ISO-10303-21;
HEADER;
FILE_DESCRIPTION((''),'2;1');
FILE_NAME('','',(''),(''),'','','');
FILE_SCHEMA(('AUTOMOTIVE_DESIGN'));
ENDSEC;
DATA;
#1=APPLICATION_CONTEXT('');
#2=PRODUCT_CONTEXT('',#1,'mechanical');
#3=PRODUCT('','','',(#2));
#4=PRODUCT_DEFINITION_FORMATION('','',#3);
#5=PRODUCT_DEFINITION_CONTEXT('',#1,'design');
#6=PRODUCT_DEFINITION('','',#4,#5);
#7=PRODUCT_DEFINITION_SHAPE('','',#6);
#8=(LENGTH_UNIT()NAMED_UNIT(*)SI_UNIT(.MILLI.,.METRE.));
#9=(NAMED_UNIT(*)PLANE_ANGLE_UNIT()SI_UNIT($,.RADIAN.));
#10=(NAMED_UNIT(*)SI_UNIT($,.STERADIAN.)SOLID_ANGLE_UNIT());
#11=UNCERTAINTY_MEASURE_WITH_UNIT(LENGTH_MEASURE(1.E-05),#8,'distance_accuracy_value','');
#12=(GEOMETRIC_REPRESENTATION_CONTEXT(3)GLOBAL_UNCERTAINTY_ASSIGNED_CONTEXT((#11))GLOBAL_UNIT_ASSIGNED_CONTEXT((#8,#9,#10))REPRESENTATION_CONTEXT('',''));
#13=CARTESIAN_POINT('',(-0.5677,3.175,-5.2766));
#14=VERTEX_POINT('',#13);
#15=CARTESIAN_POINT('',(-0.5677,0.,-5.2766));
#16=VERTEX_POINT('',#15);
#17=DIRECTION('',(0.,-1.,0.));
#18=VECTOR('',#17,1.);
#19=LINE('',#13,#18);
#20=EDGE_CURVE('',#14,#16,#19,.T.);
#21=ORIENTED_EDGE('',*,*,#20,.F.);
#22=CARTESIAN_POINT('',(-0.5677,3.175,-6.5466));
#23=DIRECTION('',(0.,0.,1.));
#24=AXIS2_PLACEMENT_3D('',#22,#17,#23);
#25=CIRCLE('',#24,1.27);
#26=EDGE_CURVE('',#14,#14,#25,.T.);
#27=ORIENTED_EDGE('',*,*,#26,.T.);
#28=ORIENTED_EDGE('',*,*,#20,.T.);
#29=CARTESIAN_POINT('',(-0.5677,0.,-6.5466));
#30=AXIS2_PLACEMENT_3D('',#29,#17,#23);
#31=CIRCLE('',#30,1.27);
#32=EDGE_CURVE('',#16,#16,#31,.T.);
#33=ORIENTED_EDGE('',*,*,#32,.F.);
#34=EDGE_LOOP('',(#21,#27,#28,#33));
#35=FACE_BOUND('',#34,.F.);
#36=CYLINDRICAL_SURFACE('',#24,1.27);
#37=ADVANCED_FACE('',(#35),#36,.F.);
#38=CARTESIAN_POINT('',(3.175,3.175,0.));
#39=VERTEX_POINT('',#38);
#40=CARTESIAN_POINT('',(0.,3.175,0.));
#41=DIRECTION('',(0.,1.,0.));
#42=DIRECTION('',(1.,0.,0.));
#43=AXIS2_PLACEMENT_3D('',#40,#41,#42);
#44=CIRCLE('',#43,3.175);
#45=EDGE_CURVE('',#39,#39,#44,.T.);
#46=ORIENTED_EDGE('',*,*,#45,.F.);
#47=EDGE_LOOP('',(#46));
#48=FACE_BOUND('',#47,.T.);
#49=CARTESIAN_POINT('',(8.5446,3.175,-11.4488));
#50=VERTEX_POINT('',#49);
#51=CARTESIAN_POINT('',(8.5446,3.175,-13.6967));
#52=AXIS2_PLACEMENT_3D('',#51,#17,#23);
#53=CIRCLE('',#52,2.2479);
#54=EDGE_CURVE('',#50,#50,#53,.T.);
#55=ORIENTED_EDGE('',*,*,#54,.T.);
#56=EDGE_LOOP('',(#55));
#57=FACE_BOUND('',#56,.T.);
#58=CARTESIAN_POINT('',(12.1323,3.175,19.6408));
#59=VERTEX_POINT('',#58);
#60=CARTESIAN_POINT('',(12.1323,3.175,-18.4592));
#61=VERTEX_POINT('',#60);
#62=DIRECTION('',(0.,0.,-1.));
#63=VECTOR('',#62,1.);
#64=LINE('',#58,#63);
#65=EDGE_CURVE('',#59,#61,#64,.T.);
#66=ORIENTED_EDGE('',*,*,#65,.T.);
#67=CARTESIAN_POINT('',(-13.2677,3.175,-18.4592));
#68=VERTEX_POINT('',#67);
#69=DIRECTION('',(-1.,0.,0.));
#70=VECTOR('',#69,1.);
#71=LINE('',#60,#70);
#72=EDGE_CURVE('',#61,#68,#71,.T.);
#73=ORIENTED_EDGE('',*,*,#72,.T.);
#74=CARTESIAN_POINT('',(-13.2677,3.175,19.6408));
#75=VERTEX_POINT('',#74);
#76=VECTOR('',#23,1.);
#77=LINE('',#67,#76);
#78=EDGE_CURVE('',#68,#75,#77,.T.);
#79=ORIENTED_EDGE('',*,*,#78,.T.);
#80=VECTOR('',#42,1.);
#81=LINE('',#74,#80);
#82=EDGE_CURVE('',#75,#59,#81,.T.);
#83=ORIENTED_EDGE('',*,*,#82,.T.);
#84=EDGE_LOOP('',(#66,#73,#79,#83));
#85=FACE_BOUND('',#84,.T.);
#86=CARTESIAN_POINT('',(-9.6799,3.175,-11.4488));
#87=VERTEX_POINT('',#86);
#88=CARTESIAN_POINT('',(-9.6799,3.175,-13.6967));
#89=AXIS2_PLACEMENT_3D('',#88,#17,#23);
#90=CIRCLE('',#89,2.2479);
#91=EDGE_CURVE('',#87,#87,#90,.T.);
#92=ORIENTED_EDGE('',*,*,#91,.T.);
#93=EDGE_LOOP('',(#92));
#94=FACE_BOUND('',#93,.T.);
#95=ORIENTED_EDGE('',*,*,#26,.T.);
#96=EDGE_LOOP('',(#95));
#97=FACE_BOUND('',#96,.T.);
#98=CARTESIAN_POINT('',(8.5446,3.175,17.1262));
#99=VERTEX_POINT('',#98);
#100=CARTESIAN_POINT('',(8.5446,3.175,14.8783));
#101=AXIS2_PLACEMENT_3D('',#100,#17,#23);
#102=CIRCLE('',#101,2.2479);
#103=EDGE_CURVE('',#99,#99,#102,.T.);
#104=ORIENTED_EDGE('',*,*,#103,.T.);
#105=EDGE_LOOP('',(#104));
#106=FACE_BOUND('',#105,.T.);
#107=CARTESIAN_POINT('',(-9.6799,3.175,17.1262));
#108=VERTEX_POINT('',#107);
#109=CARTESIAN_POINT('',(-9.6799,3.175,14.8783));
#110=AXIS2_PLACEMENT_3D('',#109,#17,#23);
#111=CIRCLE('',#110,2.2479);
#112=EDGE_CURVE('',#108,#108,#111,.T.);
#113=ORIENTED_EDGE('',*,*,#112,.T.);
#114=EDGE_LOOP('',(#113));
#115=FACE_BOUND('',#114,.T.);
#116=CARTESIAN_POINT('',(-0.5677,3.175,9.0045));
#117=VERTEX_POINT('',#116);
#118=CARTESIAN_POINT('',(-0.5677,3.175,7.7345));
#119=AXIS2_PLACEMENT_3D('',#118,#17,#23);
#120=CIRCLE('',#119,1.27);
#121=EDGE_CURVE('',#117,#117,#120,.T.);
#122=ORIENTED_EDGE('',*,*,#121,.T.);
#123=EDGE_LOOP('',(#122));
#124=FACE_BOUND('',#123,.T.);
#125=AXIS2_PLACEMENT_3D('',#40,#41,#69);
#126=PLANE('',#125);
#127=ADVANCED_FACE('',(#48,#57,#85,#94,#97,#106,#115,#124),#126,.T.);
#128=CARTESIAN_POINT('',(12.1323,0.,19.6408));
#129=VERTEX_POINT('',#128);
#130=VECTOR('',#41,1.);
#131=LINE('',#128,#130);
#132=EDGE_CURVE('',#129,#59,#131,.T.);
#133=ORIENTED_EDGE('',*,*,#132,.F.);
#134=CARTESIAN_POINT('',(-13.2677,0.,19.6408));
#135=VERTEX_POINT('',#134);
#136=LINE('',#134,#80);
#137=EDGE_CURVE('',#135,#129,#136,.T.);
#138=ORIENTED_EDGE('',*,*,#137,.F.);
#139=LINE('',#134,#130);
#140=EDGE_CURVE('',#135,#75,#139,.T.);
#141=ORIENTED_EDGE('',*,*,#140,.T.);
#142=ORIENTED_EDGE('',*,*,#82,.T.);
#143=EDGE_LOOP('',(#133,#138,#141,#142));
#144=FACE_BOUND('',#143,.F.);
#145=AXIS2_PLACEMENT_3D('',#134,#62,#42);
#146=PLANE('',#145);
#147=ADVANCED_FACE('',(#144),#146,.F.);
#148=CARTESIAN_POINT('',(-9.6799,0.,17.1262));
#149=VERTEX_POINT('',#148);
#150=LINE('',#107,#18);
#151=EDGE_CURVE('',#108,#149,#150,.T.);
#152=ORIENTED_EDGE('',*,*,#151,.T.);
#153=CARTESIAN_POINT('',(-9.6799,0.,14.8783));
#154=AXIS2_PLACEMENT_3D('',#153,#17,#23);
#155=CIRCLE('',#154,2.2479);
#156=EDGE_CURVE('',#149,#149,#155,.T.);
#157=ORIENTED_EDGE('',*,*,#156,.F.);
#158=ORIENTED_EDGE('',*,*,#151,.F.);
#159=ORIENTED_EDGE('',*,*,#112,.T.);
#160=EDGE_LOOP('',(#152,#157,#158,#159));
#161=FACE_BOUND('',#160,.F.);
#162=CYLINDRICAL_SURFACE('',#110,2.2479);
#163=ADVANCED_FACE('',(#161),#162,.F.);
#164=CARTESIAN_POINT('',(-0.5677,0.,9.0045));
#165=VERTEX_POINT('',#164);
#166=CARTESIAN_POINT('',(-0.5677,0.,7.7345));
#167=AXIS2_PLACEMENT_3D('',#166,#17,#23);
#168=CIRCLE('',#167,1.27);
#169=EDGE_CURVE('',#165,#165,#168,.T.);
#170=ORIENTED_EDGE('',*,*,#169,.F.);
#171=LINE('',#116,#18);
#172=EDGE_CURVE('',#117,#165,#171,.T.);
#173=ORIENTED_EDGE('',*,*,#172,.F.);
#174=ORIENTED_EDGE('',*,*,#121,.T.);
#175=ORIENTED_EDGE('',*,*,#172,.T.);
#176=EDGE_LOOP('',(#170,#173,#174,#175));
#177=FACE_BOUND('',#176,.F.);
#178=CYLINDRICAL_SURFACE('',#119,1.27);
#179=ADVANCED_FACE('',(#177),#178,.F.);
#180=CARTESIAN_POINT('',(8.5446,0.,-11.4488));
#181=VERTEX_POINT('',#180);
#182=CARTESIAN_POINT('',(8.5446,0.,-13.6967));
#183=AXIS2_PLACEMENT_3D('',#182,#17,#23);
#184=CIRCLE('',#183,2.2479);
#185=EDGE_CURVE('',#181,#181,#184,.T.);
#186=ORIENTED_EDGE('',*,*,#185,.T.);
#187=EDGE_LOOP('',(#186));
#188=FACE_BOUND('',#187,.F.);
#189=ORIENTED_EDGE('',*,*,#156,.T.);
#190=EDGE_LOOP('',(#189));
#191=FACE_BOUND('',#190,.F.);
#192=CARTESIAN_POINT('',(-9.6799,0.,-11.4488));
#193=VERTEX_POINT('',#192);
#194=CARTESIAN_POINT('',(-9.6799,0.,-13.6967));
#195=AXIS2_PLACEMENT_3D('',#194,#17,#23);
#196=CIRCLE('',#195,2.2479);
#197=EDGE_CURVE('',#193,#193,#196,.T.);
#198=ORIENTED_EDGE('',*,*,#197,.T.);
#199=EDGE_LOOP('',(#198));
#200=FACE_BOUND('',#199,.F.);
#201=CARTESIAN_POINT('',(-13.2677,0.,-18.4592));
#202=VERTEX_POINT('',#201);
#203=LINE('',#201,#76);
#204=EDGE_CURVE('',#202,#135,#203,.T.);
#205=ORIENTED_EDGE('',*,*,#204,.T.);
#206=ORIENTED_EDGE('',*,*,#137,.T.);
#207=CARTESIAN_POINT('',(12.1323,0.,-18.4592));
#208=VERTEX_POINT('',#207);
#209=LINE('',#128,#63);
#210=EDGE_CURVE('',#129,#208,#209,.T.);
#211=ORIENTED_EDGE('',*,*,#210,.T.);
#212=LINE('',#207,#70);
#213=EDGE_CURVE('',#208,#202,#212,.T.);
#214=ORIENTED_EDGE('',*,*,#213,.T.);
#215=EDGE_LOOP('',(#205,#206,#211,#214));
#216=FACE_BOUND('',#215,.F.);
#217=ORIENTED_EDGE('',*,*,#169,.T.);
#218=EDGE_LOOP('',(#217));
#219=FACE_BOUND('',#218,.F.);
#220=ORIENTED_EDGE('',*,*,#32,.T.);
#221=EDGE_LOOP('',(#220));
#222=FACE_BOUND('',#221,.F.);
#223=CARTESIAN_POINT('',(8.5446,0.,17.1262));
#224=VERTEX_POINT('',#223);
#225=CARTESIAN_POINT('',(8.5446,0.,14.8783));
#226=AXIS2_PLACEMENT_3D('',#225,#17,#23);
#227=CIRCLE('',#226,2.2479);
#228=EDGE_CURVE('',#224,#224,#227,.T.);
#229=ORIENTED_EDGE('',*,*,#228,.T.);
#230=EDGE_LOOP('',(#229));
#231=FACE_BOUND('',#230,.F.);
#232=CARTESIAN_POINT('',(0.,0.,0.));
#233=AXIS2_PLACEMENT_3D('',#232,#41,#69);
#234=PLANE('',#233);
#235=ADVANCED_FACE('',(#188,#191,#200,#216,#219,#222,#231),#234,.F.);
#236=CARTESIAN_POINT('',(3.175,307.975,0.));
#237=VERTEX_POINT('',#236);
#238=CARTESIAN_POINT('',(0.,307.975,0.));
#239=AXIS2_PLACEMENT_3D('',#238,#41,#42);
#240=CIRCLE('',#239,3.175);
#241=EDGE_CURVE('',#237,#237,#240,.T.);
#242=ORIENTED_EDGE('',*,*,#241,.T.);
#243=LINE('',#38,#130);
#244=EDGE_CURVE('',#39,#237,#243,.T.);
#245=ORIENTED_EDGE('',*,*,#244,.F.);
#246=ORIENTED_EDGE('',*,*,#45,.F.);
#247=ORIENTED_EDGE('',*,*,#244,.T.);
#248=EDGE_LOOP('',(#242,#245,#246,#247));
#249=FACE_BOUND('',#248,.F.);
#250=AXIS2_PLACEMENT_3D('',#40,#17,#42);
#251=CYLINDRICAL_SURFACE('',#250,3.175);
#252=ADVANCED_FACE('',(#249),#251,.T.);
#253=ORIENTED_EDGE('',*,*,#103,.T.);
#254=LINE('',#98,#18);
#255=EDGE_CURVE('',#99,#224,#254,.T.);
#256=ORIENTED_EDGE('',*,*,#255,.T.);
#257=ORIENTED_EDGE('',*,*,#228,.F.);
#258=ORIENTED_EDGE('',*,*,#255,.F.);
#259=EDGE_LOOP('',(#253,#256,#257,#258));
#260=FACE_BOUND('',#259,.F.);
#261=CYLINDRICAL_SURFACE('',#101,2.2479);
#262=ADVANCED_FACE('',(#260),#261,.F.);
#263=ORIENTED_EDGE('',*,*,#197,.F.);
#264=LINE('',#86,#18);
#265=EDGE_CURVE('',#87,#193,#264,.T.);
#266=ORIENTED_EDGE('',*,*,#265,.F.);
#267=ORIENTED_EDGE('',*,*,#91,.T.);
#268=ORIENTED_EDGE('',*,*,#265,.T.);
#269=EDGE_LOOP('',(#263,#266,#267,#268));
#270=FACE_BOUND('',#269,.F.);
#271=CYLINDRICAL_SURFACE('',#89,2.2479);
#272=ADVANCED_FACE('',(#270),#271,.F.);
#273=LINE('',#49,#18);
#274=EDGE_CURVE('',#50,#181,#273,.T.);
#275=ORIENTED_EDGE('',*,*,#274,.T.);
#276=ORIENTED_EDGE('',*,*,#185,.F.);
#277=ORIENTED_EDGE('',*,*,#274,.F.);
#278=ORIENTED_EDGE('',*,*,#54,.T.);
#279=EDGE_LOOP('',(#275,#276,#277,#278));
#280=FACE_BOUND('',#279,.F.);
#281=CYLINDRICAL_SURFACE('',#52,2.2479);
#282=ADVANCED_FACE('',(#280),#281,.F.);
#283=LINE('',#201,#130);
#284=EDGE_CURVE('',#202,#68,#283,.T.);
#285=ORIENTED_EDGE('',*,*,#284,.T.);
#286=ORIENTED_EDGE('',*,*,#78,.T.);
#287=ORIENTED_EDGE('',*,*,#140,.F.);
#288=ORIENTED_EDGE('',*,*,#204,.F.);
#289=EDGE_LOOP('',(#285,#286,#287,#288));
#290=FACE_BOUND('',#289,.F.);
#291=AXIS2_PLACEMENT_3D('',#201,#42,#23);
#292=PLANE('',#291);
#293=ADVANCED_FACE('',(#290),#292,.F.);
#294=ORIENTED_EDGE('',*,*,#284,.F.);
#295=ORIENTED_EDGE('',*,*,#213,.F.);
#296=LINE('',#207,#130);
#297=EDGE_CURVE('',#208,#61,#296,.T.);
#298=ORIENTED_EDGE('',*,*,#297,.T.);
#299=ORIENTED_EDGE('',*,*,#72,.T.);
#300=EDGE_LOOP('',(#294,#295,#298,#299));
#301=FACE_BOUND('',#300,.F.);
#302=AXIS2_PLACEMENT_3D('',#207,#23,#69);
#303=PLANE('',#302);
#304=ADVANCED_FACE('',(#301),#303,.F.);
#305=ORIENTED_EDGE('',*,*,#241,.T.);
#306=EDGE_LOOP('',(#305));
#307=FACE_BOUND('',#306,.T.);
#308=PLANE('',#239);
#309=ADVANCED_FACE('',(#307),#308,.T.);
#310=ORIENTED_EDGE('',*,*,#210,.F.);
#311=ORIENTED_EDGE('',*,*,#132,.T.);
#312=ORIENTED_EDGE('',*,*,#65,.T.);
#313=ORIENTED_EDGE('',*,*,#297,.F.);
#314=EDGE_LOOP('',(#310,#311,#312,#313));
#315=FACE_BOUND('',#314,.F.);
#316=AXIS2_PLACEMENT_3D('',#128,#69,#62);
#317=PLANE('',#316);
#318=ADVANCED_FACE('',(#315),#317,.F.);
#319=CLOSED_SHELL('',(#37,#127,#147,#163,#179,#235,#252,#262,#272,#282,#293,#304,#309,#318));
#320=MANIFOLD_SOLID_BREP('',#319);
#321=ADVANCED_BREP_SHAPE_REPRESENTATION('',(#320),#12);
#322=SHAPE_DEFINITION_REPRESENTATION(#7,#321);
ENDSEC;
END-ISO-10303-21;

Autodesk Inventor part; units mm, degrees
ref_plane "YZ Plane" through (0, 0, 0) normal (1, 0, 0) x (0, 1, 0)
ref_plane "XZ Plane" through (0, 0, 0) normal (0, 1, 0) x (-1, 0, 0)
ref_plane "XY Plane" through (0, 0, 0) normal (0, 0, 1) x (1, 0, 0)
sketch "Sketch1" plane through (0, 0, 0) normal (0, 1, 0) x (-1, 0, 0)
  line L0 (13.2677, 19.6408) -> (-12.1323, 19.6408)
  line L1 (-12.1323, 19.6408) -> (-12.1323, -18.4592)
  line L2 (-12.1323, -18.4592) -> (13.2677, -18.4592)
  line L3 (13.2677, -18.4592) -> (13.2677, 19.6408)
  point P0 (0, 0)
  dimension "d0" = 25.4
  dimension "d1" = 38.1
extrude "Extrusion1" add sketch "Sketch1" along normal blind 3.175
hole "Hole1" at (-9.6799, 3.175, 14.8783) direction (0, -1, 0) diameter 4.4958 depth 3.175 clearance for "Flat Head Machine Screw (82)" size "#8" standard "Ansi Unified Screw Threads"
hole "Hole2" at (8.5446, 3.175, 14.8783) direction (0, -1, 0) diameter 4.4958 depth 3.175 clearance for "Flat Head Machine Screw (82)" size "#8" standard "Ansi Unified Screw Threads"
hole "Hole3" at (-9.6799, 3.175, -13.6967) direction (0, -1, 0) diameter 4.4958 depth 3.175 clearance for "Flat Head Machine Screw (82)" size "#8" standard "Ansi Unified Screw Threads"
hole "Hole4" at (8.5446, 3.175, -13.6967) direction (0, -1, 0) diameter 4.4958 depth 3.175 clearance for "Flat Head Machine Screw (82)" size "#8" standard "Ansi Unified Screw Threads"
hole "Hole5" at (-0.5677, 3.175, -6.5466) direction (0, -1, 0) diameter 2.54 depth 3.175
hole "Hole6" at (-0.5677, 3.175, 7.7345) direction (0, -1, 0) diameter 2.54 depth 3.175
sketch "Sketch2" plane through (0, 3.175, 0) normal (0, 1, 0) x (1, 0, 0)
  circle A0 centre (0, 0) radius 3.175
  dimension "d58" = 6.35
extrude "Extrusion2" add sketch "Sketch2" along normal blind 304.8
sketch "Sketch3" plane through (0, 0, 0) normal (1, 0, 0) x (0, 1, 0)
  point P0 (0, 0)
properties part number "rotatable rod table"
